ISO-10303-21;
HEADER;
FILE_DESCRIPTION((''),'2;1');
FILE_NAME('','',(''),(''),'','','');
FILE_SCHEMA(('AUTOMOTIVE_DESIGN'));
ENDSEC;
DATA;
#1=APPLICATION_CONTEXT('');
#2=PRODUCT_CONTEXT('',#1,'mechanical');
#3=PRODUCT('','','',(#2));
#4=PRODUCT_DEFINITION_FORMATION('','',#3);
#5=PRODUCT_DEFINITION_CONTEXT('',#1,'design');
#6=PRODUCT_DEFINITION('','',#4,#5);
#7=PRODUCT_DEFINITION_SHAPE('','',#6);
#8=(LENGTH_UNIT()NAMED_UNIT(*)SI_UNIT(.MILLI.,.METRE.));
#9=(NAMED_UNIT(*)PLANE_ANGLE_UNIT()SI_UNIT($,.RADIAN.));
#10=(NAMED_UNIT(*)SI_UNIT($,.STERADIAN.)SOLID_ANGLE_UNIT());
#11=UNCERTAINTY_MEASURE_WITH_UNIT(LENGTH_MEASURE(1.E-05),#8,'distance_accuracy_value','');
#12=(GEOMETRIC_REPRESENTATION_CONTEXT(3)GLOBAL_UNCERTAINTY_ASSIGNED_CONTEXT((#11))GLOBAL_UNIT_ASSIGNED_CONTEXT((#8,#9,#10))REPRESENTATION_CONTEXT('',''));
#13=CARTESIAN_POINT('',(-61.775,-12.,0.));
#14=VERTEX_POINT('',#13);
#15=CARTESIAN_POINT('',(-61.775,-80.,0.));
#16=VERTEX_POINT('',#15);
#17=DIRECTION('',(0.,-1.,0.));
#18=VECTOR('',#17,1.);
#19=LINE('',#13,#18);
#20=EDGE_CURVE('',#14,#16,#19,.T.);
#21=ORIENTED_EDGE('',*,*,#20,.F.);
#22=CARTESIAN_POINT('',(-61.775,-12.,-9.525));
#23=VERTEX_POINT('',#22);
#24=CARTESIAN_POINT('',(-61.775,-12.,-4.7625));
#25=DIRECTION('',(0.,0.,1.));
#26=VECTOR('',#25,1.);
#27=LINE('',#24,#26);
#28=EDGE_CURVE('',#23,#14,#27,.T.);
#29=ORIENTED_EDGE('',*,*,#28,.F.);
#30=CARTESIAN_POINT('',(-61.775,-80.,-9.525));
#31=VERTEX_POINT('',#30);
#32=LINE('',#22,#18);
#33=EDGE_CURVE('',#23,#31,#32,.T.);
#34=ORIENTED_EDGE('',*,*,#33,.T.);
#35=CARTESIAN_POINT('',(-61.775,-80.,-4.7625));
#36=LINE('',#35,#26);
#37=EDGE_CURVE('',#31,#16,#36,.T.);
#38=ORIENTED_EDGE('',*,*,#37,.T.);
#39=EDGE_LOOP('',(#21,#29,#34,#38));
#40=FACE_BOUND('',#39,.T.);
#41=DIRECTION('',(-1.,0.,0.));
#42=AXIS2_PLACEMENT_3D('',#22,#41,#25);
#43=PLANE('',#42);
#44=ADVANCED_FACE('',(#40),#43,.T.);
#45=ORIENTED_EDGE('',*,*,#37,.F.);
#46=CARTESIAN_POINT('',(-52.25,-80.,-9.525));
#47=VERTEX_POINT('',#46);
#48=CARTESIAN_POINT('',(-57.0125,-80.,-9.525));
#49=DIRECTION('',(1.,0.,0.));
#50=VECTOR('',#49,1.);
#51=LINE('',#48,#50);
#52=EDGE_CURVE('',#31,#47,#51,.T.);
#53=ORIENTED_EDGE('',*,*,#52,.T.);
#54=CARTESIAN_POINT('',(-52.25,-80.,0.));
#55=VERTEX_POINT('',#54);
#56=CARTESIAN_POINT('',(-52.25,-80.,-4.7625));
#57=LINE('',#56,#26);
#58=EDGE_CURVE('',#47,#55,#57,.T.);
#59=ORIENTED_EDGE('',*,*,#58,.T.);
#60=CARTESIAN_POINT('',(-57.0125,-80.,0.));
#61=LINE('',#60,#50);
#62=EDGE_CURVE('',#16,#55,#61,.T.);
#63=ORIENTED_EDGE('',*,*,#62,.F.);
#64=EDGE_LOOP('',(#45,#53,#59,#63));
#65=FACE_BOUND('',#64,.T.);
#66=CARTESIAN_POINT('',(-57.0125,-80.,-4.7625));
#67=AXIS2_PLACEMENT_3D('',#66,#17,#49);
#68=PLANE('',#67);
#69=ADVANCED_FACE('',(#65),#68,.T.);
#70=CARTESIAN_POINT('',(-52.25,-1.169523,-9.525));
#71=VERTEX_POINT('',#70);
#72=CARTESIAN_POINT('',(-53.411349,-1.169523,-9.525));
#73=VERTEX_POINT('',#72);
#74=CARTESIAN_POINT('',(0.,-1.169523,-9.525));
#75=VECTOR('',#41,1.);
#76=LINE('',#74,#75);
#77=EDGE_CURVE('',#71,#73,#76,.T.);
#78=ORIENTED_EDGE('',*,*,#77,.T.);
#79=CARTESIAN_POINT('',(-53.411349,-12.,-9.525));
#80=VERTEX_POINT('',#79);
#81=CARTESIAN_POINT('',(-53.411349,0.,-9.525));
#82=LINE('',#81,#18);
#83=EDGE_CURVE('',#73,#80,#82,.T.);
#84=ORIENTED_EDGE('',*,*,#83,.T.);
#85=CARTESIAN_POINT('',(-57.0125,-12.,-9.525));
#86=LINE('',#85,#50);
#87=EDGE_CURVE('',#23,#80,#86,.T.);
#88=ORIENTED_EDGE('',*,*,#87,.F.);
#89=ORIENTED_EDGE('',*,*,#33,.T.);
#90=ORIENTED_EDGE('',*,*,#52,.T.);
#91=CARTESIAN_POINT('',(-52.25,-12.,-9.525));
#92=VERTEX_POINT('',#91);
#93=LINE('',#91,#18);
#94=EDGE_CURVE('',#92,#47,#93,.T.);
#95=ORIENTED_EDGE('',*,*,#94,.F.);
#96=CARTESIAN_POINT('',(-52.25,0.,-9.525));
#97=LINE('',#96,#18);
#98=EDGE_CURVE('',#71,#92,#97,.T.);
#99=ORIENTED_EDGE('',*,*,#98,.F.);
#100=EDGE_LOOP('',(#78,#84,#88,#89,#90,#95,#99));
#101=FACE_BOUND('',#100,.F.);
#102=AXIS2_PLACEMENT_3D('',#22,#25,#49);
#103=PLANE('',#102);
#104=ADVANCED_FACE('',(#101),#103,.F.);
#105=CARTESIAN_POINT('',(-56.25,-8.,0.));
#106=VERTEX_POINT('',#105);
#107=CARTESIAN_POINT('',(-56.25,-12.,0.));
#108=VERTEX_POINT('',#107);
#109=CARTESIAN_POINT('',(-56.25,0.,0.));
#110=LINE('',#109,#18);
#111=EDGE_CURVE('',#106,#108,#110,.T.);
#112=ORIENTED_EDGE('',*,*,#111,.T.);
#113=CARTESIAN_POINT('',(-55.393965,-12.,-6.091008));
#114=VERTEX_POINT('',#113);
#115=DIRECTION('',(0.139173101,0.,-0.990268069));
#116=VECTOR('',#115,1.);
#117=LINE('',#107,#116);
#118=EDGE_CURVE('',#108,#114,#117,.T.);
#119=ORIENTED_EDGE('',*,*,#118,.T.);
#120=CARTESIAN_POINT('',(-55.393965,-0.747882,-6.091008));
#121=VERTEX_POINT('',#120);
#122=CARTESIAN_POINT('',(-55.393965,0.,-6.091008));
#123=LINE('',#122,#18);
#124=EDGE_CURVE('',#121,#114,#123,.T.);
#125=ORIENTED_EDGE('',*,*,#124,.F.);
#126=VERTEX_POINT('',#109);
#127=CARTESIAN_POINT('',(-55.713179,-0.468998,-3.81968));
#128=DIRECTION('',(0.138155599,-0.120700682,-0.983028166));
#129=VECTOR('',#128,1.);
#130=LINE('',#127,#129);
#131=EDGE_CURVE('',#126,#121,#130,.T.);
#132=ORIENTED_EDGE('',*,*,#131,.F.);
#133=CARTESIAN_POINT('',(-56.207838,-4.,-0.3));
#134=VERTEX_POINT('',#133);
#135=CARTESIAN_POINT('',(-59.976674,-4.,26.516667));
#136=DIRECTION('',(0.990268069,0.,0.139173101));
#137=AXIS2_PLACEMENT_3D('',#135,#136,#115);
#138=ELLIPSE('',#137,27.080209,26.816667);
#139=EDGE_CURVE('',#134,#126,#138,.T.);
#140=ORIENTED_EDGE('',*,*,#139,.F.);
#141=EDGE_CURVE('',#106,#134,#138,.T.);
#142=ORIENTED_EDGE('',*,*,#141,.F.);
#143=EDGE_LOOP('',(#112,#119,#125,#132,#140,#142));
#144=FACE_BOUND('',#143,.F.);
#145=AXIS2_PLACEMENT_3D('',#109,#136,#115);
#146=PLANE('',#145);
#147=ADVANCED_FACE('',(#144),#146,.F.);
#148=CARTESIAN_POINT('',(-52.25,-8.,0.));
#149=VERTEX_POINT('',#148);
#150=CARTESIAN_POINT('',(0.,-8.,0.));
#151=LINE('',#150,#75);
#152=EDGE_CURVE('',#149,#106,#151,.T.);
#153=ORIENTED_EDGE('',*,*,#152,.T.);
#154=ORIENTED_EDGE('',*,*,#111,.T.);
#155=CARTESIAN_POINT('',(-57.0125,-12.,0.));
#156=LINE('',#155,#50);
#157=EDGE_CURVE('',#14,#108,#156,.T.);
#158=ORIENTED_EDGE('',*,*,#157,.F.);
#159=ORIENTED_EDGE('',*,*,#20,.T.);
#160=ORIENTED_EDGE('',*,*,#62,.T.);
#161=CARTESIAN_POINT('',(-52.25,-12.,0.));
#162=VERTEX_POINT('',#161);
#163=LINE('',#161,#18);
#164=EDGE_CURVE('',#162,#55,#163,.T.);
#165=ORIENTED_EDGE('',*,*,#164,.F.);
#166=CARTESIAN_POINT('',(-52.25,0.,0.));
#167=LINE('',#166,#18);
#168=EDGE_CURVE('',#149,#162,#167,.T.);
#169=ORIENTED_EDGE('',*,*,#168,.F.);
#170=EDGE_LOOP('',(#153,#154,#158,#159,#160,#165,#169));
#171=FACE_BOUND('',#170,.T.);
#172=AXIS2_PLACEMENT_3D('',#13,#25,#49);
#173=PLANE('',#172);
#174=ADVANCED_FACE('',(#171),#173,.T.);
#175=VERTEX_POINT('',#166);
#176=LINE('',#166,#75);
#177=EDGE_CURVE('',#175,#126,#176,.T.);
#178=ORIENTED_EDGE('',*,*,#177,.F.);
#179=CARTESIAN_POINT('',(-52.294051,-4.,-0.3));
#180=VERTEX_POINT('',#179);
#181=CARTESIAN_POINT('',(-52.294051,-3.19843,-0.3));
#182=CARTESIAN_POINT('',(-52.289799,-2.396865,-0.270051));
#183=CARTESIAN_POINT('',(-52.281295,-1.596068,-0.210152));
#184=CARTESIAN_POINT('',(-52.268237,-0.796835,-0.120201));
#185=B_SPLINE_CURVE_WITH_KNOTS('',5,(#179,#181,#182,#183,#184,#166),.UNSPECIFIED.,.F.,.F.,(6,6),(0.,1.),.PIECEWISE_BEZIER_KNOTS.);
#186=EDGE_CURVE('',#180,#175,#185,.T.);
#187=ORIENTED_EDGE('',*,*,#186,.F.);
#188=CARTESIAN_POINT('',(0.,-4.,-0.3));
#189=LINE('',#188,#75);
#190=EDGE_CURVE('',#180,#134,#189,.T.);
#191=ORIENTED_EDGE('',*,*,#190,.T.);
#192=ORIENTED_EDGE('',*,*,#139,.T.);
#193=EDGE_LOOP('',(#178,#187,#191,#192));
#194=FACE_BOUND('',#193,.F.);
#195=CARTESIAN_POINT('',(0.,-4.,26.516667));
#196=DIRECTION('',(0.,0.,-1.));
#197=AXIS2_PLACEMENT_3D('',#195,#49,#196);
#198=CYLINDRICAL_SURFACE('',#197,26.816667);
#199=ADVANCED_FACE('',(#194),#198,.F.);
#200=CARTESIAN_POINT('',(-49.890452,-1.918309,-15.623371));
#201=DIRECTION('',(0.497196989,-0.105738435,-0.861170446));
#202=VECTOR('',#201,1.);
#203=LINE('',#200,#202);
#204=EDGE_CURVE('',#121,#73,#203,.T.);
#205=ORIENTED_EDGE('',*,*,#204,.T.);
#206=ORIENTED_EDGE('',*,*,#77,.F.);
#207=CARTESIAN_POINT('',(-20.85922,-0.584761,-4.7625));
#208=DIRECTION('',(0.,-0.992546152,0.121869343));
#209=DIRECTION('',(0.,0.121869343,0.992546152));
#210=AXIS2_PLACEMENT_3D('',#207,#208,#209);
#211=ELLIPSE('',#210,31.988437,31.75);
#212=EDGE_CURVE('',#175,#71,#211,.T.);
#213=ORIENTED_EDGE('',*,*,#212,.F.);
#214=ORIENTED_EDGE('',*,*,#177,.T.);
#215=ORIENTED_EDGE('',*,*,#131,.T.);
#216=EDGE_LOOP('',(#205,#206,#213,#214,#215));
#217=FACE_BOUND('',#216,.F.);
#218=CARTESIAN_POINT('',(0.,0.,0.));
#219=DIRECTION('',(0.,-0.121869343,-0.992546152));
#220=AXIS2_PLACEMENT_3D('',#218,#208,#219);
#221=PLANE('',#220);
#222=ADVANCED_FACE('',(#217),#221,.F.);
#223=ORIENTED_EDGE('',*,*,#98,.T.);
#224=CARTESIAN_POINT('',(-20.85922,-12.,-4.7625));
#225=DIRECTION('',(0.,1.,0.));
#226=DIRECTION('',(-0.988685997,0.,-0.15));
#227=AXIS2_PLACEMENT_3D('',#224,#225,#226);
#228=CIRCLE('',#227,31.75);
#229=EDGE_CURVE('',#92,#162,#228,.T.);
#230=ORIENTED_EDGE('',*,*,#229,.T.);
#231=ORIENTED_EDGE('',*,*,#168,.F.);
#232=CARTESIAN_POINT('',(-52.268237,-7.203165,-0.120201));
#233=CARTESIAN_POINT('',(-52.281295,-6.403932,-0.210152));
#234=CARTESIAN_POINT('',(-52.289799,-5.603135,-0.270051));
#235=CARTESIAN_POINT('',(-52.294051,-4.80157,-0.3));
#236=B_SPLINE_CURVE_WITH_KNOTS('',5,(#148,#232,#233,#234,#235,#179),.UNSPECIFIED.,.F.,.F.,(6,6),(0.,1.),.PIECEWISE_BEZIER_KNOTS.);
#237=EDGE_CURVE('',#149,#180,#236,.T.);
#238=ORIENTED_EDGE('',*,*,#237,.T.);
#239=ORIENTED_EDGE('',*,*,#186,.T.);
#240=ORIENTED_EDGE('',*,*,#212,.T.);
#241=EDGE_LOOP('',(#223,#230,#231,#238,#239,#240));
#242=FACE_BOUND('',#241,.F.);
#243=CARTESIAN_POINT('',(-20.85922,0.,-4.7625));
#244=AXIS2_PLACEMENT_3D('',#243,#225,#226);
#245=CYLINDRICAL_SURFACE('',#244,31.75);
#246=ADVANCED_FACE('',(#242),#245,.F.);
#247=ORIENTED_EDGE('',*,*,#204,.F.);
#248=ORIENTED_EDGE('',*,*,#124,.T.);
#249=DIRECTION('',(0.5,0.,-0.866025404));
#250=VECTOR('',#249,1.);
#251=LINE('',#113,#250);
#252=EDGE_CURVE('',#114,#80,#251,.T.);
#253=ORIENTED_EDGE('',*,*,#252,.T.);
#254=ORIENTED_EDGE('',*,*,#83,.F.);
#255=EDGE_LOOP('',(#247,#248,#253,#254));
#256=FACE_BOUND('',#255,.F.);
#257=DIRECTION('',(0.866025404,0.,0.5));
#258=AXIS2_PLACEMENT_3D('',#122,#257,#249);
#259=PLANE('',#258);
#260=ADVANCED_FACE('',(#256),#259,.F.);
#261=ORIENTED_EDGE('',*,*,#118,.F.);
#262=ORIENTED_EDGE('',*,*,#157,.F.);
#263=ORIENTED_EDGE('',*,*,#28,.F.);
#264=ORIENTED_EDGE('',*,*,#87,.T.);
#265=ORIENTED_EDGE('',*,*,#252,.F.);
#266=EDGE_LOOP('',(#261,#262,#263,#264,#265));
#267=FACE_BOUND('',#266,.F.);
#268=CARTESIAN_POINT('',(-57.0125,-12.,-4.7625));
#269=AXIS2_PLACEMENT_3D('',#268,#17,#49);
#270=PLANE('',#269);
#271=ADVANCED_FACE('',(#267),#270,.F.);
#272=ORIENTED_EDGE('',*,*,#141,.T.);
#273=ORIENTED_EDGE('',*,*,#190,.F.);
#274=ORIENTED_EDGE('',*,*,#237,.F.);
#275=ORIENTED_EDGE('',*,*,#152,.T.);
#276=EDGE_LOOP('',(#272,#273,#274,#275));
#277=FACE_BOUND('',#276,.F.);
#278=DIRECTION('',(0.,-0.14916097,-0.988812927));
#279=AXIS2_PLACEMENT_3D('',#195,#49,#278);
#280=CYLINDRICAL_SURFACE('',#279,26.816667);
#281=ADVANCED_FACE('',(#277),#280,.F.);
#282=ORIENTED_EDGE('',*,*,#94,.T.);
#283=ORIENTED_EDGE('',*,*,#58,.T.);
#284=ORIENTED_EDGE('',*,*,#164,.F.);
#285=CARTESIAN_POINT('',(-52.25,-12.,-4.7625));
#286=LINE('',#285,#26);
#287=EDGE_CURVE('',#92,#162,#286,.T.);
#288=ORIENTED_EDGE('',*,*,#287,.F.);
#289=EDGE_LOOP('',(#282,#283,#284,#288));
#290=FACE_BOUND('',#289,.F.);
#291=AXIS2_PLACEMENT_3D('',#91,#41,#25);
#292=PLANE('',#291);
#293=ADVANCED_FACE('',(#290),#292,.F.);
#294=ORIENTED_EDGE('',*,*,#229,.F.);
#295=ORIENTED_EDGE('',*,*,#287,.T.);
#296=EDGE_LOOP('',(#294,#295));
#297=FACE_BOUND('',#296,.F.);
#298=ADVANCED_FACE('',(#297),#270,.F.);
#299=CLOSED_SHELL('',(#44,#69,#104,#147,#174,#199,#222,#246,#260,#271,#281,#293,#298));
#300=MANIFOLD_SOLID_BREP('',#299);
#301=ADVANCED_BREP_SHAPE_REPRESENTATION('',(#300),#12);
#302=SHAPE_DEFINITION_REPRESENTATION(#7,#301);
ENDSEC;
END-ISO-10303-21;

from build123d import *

# Parameters (mm, degrees)
F1_DEPTH = 12
F2_W     = 9.525
F2_H     = 9.525
F3_DEPTH = 68
F5_DEPTH = 57.25
F7_DEPTH = 57.25


with BuildPart() as f1:
    # F0 (on Front) → F1 (new body)
    with BuildSketch(Plane.XZ):
        with BuildLine():
            Line((-52.25, 0), (-56.25, 0))
            Line((-56.25, 0), (-55.3939646182, -6.0910082371))
            Line((-55.3939646182, -6.0910082371), (-53.4113485495, -9.525))
            Line((-53.4113485495, -9.525), (-52.25, -9.525))
            ThreePointArc((-52.25, -9.525), (-52.6092196059, -4.7625), (-52.25, 0))
        make_face()
    extrude(amount=F1_DEPTH)

    # F2 (on face) → F3 (join)
    with BuildSketch(Plane.XZ.offset(12)):
        with Locations((-57.0125, -4.7625)):
            Rectangle(F2_W, F2_H)
    extrude(amount=F3_DEPTH)

    # F4 (on Right) → F5 (cut, up to face)
    with BuildSketch(Plane.YZ):
        Polygon((0, -9.525), (0, 0), (-1.1695229426, -9.525), align=None)
    extrude(amount=-F5_DEPTH, mode=Mode.SUBTRACT)

    # F6 (on Right) → F7 (cut, up to face)
    with BuildSketch(Plane.YZ):
        with BuildLine():
            Line((-4, 0), (-8, 0))
            ThreePointArc((-8, 0), (-6.005617112, -0.2248948268), (-4, -0.3))
            Line((-4, -0.3), (-4, 0))
        make_face()
        with BuildLine():
            Line((0, 0), (-4, 0))
            Line((-4, 0), (-4, -0.3))
            ThreePointArc((-4, -0.3), (-1.994382888, -0.2248948268), (0, 0))
        make_face()
    extrude(amount=-F7_DEPTH, mode=Mode.SUBTRACT)


solid = f1.part
